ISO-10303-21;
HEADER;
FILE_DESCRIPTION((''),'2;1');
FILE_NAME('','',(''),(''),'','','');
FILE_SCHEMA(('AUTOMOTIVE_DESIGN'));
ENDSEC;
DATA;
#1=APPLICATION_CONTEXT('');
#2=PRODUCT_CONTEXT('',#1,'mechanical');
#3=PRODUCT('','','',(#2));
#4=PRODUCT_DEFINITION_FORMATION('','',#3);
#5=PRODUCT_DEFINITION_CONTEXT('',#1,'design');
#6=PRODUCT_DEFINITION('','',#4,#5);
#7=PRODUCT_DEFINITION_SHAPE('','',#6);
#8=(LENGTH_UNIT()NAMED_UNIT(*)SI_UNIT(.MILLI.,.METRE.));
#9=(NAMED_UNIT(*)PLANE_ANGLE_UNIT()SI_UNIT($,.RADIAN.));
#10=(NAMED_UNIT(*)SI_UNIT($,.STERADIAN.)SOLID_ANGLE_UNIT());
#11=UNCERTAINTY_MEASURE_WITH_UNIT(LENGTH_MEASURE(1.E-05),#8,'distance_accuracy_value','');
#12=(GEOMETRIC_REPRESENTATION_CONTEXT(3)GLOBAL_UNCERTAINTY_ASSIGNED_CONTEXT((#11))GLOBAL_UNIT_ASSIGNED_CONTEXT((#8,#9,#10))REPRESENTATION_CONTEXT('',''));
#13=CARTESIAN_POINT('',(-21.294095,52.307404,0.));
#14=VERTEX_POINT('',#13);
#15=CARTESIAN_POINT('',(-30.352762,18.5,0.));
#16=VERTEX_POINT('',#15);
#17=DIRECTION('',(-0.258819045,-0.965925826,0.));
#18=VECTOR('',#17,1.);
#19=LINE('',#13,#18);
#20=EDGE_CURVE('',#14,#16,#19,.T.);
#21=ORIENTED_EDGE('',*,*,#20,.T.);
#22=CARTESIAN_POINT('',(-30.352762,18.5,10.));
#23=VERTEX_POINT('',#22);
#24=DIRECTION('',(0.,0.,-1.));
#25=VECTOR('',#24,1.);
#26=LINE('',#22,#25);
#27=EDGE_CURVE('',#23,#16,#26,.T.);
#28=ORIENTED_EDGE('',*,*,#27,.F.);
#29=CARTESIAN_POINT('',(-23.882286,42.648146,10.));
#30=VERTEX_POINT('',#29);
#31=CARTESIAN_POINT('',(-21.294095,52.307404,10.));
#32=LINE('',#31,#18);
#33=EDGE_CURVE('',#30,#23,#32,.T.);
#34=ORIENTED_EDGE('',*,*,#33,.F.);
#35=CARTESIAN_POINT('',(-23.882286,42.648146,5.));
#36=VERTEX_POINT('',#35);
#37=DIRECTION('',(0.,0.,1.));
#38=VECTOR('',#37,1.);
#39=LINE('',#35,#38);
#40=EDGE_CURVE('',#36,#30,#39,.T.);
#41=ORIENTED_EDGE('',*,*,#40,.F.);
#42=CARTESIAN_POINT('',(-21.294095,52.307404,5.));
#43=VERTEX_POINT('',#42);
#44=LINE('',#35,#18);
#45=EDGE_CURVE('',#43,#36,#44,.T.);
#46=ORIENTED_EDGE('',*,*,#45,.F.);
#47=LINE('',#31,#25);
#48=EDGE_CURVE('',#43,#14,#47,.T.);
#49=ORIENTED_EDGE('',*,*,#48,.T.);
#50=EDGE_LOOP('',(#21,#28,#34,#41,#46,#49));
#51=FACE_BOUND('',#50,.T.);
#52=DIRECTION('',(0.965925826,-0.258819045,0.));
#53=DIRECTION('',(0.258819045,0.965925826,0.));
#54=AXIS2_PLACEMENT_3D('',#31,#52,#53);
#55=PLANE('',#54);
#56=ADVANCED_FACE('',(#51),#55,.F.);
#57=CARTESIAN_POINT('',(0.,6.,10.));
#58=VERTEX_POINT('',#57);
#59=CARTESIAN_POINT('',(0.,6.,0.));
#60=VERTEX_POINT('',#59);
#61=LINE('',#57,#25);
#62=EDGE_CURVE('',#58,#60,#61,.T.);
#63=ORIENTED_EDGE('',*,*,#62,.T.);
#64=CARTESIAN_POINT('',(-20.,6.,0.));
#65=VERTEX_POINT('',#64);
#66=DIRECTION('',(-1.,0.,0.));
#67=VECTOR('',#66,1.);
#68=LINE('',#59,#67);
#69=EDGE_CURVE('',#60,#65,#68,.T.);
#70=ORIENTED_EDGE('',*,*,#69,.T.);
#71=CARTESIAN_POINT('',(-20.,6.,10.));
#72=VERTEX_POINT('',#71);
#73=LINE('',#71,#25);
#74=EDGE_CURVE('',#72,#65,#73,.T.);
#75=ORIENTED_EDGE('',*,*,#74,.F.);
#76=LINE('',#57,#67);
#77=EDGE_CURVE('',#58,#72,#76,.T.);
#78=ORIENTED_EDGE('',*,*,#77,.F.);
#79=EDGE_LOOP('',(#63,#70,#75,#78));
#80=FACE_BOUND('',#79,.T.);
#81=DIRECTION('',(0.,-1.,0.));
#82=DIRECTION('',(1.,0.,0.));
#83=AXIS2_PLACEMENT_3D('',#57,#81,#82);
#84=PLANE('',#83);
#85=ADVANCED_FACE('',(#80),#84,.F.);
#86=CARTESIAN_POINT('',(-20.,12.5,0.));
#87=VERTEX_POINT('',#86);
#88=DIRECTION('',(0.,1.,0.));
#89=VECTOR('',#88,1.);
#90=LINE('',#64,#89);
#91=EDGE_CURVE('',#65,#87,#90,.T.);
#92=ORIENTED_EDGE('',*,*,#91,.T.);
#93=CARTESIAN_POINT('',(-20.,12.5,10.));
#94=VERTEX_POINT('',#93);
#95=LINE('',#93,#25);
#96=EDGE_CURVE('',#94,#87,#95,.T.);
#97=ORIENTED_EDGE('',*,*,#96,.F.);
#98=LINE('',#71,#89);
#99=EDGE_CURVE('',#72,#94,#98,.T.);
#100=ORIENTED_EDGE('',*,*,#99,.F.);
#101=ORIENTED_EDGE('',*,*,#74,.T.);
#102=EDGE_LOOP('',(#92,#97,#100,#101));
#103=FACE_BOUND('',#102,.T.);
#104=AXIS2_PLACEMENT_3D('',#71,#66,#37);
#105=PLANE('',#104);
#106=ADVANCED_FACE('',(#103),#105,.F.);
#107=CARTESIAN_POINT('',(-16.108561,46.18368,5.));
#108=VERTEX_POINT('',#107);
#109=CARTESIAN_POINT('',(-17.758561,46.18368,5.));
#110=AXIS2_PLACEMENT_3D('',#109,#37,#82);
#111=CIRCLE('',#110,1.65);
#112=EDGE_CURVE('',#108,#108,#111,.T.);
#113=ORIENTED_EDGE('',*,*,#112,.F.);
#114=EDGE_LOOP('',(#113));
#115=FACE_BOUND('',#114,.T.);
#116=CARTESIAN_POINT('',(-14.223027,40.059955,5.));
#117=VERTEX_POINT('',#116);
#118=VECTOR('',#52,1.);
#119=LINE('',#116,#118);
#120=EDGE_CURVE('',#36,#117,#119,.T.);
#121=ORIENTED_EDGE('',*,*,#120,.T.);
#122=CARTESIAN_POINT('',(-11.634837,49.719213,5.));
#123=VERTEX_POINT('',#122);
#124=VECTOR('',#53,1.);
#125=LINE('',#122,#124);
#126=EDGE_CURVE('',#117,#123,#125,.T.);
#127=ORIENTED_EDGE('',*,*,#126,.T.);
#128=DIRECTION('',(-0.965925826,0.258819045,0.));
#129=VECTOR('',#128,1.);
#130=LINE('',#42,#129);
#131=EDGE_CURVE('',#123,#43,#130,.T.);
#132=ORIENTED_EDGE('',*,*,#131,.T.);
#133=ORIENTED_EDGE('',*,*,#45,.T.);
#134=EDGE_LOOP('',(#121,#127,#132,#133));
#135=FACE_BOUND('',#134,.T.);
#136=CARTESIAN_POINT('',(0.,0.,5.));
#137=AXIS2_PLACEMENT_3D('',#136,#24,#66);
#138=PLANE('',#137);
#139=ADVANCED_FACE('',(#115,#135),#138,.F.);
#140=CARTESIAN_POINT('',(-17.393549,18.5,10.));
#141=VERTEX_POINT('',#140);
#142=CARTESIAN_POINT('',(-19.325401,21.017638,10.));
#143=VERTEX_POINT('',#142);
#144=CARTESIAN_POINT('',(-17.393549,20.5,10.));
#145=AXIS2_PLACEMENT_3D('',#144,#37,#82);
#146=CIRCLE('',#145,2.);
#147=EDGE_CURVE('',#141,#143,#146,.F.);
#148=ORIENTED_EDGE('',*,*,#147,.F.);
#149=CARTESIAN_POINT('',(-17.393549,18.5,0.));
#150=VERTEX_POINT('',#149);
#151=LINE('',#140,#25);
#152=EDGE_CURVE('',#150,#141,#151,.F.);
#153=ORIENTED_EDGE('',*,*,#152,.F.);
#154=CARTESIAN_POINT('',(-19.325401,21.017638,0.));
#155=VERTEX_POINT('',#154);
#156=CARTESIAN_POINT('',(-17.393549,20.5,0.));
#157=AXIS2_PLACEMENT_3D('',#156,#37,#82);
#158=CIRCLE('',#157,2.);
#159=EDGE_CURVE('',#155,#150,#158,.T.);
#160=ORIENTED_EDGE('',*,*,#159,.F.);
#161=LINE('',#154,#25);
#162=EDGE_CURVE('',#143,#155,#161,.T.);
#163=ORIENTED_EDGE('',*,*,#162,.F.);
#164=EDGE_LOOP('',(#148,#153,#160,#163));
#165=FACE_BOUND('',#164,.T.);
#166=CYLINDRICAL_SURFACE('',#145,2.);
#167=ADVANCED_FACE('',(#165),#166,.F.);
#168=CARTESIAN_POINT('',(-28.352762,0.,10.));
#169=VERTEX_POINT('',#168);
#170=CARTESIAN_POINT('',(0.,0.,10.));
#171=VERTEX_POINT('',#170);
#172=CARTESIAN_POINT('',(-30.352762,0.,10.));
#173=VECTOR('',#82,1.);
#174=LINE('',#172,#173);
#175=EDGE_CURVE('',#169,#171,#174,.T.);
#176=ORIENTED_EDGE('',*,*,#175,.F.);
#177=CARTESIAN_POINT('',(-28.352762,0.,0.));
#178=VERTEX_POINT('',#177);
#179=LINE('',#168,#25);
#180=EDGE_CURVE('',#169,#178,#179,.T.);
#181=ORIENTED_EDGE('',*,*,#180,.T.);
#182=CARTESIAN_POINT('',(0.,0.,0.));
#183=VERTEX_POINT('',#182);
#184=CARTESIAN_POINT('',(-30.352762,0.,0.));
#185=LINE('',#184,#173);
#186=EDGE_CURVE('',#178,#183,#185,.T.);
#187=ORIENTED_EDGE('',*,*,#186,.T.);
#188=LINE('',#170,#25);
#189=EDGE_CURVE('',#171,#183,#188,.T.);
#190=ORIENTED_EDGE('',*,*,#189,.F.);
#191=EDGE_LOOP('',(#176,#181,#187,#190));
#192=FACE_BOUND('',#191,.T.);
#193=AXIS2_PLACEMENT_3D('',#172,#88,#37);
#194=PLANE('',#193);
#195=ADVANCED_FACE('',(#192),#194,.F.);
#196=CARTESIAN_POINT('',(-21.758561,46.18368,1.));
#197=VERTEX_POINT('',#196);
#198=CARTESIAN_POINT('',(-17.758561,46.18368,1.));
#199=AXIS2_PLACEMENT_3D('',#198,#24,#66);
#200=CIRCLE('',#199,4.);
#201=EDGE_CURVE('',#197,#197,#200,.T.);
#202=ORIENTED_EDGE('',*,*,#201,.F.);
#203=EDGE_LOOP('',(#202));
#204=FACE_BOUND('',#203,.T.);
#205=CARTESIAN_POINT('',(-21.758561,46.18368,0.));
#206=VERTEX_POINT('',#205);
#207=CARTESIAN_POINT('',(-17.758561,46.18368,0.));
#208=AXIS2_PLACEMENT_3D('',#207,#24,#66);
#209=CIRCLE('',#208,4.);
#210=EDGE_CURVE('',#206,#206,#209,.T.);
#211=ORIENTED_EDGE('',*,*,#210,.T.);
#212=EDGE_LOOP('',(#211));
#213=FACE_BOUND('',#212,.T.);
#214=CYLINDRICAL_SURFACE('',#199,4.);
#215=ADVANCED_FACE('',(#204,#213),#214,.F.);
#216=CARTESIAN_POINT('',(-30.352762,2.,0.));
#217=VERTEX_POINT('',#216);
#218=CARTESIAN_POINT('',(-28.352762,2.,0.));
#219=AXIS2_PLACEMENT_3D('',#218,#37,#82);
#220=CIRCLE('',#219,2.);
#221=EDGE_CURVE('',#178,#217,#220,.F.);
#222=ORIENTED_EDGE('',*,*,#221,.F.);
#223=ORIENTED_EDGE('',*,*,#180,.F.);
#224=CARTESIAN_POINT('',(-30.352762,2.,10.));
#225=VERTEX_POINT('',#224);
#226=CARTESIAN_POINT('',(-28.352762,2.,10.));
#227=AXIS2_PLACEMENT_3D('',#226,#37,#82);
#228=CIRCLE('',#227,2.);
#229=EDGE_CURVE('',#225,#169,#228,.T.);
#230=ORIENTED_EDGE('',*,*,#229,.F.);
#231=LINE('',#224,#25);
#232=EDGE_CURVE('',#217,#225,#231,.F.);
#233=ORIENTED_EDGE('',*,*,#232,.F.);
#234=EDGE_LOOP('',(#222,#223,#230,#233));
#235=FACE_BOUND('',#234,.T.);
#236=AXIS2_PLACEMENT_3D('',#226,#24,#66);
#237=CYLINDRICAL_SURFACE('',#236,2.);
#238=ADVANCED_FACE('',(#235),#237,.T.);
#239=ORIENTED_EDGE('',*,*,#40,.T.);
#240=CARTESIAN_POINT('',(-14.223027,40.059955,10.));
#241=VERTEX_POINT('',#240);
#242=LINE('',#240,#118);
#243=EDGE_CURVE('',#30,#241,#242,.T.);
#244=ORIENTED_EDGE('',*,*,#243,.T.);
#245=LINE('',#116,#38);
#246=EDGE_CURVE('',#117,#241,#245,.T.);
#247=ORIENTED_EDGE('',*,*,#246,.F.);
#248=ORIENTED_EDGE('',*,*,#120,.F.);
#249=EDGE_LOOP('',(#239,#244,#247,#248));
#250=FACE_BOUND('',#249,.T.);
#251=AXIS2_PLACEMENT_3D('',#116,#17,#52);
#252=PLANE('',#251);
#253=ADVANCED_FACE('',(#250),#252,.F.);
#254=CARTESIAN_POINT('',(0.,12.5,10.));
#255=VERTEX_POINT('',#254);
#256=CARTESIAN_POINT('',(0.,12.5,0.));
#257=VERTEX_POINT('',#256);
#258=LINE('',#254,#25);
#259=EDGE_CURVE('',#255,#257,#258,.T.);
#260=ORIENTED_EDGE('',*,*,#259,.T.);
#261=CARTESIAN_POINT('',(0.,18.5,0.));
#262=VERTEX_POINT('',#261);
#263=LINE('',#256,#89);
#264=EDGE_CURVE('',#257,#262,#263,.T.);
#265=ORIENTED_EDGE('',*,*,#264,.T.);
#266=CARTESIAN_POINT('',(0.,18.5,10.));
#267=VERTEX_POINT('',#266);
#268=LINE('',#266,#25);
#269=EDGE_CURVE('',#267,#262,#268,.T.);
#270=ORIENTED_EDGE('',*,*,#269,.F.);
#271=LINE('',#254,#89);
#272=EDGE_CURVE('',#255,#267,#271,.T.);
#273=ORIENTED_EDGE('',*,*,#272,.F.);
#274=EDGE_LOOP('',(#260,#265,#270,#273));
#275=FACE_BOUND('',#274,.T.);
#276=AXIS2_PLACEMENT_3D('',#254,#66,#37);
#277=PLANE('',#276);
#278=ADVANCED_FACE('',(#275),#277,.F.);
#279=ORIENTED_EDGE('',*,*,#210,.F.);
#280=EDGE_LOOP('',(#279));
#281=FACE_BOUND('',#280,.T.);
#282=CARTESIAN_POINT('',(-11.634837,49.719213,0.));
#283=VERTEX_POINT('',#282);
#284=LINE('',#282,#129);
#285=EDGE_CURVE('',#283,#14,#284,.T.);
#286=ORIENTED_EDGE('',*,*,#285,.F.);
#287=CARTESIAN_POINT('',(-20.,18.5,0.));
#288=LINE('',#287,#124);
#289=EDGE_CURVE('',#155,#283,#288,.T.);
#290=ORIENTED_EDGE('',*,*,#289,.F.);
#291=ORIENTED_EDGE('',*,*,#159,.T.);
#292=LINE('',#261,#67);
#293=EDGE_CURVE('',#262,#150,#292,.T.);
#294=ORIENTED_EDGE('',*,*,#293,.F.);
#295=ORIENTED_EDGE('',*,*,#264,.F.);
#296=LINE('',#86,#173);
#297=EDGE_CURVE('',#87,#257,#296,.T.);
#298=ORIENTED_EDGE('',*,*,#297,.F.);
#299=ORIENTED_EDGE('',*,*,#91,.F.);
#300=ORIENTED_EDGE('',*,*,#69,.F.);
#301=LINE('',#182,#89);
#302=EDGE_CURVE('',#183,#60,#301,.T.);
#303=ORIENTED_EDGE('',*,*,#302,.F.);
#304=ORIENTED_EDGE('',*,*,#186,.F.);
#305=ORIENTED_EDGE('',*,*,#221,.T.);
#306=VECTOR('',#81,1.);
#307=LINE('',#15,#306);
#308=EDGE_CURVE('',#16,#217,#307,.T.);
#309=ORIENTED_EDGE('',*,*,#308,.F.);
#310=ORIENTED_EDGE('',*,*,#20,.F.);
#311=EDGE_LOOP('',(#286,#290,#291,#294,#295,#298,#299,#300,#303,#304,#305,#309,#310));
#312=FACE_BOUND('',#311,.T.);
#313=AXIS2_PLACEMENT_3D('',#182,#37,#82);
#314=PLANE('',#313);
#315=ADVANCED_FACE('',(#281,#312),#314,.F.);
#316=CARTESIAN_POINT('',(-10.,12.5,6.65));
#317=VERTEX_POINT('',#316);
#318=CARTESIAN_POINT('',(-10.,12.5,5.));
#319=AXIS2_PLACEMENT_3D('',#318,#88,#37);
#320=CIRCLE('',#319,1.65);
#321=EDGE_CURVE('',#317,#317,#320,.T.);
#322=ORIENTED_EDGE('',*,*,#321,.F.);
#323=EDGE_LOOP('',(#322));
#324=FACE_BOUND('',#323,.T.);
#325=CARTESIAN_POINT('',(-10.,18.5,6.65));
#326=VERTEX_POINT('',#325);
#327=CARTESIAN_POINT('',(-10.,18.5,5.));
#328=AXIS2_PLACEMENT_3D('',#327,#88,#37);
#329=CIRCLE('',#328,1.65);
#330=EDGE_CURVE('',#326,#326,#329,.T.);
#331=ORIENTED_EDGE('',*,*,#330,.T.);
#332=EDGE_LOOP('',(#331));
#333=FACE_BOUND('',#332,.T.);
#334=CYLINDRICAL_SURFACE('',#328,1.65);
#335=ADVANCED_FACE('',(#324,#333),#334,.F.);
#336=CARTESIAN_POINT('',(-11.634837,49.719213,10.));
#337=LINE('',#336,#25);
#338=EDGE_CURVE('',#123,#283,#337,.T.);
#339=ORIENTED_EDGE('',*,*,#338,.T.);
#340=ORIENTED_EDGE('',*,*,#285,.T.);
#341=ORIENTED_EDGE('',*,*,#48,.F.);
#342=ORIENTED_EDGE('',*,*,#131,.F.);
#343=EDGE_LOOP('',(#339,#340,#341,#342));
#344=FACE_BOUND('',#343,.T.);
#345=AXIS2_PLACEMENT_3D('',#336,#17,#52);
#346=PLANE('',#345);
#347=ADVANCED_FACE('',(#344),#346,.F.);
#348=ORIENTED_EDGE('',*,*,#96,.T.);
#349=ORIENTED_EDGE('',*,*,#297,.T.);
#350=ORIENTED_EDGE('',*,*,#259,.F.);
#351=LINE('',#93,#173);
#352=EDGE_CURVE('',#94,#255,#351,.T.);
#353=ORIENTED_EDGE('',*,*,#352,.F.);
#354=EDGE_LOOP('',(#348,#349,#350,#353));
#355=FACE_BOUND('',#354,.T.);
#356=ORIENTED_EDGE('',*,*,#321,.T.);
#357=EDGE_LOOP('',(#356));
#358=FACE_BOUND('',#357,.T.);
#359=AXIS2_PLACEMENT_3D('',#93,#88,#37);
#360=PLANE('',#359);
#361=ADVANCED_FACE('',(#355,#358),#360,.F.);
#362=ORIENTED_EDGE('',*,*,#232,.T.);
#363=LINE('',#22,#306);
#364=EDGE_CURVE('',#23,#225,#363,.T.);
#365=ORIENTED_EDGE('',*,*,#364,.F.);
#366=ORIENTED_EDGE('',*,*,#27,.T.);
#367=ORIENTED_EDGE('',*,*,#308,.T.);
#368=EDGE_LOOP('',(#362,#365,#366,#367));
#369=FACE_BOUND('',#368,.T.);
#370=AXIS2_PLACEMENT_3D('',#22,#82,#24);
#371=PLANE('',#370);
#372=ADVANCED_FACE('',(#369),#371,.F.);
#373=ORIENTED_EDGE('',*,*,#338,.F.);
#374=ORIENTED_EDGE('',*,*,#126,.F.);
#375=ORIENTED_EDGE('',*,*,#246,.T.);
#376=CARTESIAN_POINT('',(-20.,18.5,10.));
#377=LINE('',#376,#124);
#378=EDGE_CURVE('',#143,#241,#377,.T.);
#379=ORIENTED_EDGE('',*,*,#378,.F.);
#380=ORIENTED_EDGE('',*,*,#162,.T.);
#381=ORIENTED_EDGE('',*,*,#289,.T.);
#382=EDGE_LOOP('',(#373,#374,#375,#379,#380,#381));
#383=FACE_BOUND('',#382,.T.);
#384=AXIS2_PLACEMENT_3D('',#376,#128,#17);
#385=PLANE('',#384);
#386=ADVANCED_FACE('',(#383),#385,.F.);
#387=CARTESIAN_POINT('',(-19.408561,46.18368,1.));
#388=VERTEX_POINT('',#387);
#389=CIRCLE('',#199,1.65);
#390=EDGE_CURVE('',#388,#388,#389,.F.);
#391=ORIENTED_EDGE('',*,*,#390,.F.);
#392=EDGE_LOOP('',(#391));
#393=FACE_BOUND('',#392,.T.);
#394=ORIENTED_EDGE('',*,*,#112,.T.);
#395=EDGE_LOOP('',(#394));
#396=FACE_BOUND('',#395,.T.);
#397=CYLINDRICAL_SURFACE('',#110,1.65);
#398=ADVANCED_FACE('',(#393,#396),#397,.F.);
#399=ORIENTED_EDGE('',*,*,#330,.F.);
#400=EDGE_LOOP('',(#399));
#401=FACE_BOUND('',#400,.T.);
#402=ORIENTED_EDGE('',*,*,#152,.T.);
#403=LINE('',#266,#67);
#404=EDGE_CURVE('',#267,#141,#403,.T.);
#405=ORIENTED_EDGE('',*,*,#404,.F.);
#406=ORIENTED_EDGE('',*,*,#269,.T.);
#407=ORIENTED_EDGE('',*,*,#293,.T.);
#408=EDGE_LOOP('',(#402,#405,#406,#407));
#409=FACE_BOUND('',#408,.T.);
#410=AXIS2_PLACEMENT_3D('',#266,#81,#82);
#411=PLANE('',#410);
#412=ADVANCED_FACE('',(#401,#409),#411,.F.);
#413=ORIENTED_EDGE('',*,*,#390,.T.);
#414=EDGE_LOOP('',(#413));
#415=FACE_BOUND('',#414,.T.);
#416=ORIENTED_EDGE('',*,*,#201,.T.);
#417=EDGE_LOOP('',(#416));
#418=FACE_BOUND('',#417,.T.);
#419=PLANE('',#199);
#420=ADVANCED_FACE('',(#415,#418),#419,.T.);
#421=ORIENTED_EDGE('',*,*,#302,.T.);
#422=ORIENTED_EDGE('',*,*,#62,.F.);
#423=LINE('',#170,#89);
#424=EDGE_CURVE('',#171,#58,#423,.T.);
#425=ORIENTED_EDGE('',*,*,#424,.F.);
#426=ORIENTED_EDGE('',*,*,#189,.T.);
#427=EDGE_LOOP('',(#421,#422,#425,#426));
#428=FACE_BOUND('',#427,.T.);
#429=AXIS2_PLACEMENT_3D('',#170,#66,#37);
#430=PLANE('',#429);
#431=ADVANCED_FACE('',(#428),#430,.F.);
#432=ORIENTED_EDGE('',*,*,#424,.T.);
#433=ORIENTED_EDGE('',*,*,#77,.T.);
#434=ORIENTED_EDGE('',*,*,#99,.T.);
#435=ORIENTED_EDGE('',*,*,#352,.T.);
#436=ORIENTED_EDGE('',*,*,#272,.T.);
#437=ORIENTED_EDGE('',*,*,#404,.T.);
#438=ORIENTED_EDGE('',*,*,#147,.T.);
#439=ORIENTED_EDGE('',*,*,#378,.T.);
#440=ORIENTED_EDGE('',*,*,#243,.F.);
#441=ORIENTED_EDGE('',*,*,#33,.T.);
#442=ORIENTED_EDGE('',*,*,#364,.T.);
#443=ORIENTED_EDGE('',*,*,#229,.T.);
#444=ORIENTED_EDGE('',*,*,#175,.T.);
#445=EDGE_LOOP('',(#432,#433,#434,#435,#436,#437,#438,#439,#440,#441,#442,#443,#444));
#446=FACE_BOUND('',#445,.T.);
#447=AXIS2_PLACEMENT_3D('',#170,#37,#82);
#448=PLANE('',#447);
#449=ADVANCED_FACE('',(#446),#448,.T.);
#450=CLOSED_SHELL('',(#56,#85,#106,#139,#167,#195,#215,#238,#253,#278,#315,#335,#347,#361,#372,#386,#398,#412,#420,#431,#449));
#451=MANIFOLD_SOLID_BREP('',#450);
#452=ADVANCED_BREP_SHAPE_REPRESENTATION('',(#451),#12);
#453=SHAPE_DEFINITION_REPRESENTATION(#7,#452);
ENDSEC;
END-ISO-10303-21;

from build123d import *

# Parameters (mm, degrees)
EXTRUDE_1_DEPTH        = 10
CUT_EXTRUDE_1_DEPTH    = 5
FILLET_1_R             = 2
HOLE_WIZARD_M4_1_D     = 3.3
HOLE_WIZARD_M4_1_DEPTH = 6
HOLE_WIZARD_M4_2_D     = 3.3
FILLET_2_R             = 2
SKETCH_23_R            = 4
CUT_EXTRUDE_3_DEPTH    = 1


with BuildPart() as part:
    # 草图1 → 凸台-拉伸1 (new body)
    with BuildSketch(Plane.XY):
        Polygon((0, 0), (0, 6), (-20, 6), (-20, 12.5), (0, 12.5), (0, 18.5), (-20, 18.5), (-11.634836963, 49.719213469), (-21.294095226, 52.30740392), (-30.352761804, 18.5), (-30.352761804, 0), align=None)
    extrude(amount=EXTRUDE_1_DEPTH)

    # 草图2 → 切除-拉伸1 (cut)
    with BuildSketch(Plane.XY.offset(10)):
        Polygon((-21.294095226, 52.30740392), (-11.634836963, 49.719213469), (-14.223027414, 40.059955206), (-23.882285677, 42.648145657), align=None)
    extrude(amount=-CUT_EXTRUDE_1_DEPTH, mode=Mode.SUBTRACT)

    # 圆角1
    fillet_1_edges = [part.edges().sort_by_distance(p)[0] for p in [
        (-20, 18.5, 5),
    ]]
    fillet(fillet_1_edges, radius=FILLET_1_R)

    # M4 螺纹孔1
    with Locations(Plane(origin=(0, 18.5, 0), x_dir=(1, 0, 0), z_dir=(0, 1, 0))):
        with Locations((-10, -5)):
            Hole(HOLE_WIZARD_M4_1_D / 2, depth=HOLE_WIZARD_M4_1_DEPTH)

    # M4 螺纹孔2 (through all)
    with Locations(Plane.XY.offset(5)):
        with Locations((-17.75856132, 46.183679563)):
            Hole(HOLE_WIZARD_M4_2_D / 2)

    # 圆角2
    fillet_2_edges = [part.edges().sort_by_distance(p)[0] for p in [
        (-30.352761804, 0, 5),
    ]]
    fillet(fillet_2_edges, radius=FILLET_2_R)

    # 草图23 → 切除-拉伸3 (cut)
    with BuildSketch(Plane(origin=(0, 0, 0), x_dir=(-1, 0, 0), z_dir=(0, 0, -1))):
        with Locations((17.75856132, 46.183679563)):
            Circle(SKETCH_23_R)
    extrude(amount=-CUT_EXTRUDE_3_DEPTH, mode=Mode.SUBTRACT)


solid = part.part
